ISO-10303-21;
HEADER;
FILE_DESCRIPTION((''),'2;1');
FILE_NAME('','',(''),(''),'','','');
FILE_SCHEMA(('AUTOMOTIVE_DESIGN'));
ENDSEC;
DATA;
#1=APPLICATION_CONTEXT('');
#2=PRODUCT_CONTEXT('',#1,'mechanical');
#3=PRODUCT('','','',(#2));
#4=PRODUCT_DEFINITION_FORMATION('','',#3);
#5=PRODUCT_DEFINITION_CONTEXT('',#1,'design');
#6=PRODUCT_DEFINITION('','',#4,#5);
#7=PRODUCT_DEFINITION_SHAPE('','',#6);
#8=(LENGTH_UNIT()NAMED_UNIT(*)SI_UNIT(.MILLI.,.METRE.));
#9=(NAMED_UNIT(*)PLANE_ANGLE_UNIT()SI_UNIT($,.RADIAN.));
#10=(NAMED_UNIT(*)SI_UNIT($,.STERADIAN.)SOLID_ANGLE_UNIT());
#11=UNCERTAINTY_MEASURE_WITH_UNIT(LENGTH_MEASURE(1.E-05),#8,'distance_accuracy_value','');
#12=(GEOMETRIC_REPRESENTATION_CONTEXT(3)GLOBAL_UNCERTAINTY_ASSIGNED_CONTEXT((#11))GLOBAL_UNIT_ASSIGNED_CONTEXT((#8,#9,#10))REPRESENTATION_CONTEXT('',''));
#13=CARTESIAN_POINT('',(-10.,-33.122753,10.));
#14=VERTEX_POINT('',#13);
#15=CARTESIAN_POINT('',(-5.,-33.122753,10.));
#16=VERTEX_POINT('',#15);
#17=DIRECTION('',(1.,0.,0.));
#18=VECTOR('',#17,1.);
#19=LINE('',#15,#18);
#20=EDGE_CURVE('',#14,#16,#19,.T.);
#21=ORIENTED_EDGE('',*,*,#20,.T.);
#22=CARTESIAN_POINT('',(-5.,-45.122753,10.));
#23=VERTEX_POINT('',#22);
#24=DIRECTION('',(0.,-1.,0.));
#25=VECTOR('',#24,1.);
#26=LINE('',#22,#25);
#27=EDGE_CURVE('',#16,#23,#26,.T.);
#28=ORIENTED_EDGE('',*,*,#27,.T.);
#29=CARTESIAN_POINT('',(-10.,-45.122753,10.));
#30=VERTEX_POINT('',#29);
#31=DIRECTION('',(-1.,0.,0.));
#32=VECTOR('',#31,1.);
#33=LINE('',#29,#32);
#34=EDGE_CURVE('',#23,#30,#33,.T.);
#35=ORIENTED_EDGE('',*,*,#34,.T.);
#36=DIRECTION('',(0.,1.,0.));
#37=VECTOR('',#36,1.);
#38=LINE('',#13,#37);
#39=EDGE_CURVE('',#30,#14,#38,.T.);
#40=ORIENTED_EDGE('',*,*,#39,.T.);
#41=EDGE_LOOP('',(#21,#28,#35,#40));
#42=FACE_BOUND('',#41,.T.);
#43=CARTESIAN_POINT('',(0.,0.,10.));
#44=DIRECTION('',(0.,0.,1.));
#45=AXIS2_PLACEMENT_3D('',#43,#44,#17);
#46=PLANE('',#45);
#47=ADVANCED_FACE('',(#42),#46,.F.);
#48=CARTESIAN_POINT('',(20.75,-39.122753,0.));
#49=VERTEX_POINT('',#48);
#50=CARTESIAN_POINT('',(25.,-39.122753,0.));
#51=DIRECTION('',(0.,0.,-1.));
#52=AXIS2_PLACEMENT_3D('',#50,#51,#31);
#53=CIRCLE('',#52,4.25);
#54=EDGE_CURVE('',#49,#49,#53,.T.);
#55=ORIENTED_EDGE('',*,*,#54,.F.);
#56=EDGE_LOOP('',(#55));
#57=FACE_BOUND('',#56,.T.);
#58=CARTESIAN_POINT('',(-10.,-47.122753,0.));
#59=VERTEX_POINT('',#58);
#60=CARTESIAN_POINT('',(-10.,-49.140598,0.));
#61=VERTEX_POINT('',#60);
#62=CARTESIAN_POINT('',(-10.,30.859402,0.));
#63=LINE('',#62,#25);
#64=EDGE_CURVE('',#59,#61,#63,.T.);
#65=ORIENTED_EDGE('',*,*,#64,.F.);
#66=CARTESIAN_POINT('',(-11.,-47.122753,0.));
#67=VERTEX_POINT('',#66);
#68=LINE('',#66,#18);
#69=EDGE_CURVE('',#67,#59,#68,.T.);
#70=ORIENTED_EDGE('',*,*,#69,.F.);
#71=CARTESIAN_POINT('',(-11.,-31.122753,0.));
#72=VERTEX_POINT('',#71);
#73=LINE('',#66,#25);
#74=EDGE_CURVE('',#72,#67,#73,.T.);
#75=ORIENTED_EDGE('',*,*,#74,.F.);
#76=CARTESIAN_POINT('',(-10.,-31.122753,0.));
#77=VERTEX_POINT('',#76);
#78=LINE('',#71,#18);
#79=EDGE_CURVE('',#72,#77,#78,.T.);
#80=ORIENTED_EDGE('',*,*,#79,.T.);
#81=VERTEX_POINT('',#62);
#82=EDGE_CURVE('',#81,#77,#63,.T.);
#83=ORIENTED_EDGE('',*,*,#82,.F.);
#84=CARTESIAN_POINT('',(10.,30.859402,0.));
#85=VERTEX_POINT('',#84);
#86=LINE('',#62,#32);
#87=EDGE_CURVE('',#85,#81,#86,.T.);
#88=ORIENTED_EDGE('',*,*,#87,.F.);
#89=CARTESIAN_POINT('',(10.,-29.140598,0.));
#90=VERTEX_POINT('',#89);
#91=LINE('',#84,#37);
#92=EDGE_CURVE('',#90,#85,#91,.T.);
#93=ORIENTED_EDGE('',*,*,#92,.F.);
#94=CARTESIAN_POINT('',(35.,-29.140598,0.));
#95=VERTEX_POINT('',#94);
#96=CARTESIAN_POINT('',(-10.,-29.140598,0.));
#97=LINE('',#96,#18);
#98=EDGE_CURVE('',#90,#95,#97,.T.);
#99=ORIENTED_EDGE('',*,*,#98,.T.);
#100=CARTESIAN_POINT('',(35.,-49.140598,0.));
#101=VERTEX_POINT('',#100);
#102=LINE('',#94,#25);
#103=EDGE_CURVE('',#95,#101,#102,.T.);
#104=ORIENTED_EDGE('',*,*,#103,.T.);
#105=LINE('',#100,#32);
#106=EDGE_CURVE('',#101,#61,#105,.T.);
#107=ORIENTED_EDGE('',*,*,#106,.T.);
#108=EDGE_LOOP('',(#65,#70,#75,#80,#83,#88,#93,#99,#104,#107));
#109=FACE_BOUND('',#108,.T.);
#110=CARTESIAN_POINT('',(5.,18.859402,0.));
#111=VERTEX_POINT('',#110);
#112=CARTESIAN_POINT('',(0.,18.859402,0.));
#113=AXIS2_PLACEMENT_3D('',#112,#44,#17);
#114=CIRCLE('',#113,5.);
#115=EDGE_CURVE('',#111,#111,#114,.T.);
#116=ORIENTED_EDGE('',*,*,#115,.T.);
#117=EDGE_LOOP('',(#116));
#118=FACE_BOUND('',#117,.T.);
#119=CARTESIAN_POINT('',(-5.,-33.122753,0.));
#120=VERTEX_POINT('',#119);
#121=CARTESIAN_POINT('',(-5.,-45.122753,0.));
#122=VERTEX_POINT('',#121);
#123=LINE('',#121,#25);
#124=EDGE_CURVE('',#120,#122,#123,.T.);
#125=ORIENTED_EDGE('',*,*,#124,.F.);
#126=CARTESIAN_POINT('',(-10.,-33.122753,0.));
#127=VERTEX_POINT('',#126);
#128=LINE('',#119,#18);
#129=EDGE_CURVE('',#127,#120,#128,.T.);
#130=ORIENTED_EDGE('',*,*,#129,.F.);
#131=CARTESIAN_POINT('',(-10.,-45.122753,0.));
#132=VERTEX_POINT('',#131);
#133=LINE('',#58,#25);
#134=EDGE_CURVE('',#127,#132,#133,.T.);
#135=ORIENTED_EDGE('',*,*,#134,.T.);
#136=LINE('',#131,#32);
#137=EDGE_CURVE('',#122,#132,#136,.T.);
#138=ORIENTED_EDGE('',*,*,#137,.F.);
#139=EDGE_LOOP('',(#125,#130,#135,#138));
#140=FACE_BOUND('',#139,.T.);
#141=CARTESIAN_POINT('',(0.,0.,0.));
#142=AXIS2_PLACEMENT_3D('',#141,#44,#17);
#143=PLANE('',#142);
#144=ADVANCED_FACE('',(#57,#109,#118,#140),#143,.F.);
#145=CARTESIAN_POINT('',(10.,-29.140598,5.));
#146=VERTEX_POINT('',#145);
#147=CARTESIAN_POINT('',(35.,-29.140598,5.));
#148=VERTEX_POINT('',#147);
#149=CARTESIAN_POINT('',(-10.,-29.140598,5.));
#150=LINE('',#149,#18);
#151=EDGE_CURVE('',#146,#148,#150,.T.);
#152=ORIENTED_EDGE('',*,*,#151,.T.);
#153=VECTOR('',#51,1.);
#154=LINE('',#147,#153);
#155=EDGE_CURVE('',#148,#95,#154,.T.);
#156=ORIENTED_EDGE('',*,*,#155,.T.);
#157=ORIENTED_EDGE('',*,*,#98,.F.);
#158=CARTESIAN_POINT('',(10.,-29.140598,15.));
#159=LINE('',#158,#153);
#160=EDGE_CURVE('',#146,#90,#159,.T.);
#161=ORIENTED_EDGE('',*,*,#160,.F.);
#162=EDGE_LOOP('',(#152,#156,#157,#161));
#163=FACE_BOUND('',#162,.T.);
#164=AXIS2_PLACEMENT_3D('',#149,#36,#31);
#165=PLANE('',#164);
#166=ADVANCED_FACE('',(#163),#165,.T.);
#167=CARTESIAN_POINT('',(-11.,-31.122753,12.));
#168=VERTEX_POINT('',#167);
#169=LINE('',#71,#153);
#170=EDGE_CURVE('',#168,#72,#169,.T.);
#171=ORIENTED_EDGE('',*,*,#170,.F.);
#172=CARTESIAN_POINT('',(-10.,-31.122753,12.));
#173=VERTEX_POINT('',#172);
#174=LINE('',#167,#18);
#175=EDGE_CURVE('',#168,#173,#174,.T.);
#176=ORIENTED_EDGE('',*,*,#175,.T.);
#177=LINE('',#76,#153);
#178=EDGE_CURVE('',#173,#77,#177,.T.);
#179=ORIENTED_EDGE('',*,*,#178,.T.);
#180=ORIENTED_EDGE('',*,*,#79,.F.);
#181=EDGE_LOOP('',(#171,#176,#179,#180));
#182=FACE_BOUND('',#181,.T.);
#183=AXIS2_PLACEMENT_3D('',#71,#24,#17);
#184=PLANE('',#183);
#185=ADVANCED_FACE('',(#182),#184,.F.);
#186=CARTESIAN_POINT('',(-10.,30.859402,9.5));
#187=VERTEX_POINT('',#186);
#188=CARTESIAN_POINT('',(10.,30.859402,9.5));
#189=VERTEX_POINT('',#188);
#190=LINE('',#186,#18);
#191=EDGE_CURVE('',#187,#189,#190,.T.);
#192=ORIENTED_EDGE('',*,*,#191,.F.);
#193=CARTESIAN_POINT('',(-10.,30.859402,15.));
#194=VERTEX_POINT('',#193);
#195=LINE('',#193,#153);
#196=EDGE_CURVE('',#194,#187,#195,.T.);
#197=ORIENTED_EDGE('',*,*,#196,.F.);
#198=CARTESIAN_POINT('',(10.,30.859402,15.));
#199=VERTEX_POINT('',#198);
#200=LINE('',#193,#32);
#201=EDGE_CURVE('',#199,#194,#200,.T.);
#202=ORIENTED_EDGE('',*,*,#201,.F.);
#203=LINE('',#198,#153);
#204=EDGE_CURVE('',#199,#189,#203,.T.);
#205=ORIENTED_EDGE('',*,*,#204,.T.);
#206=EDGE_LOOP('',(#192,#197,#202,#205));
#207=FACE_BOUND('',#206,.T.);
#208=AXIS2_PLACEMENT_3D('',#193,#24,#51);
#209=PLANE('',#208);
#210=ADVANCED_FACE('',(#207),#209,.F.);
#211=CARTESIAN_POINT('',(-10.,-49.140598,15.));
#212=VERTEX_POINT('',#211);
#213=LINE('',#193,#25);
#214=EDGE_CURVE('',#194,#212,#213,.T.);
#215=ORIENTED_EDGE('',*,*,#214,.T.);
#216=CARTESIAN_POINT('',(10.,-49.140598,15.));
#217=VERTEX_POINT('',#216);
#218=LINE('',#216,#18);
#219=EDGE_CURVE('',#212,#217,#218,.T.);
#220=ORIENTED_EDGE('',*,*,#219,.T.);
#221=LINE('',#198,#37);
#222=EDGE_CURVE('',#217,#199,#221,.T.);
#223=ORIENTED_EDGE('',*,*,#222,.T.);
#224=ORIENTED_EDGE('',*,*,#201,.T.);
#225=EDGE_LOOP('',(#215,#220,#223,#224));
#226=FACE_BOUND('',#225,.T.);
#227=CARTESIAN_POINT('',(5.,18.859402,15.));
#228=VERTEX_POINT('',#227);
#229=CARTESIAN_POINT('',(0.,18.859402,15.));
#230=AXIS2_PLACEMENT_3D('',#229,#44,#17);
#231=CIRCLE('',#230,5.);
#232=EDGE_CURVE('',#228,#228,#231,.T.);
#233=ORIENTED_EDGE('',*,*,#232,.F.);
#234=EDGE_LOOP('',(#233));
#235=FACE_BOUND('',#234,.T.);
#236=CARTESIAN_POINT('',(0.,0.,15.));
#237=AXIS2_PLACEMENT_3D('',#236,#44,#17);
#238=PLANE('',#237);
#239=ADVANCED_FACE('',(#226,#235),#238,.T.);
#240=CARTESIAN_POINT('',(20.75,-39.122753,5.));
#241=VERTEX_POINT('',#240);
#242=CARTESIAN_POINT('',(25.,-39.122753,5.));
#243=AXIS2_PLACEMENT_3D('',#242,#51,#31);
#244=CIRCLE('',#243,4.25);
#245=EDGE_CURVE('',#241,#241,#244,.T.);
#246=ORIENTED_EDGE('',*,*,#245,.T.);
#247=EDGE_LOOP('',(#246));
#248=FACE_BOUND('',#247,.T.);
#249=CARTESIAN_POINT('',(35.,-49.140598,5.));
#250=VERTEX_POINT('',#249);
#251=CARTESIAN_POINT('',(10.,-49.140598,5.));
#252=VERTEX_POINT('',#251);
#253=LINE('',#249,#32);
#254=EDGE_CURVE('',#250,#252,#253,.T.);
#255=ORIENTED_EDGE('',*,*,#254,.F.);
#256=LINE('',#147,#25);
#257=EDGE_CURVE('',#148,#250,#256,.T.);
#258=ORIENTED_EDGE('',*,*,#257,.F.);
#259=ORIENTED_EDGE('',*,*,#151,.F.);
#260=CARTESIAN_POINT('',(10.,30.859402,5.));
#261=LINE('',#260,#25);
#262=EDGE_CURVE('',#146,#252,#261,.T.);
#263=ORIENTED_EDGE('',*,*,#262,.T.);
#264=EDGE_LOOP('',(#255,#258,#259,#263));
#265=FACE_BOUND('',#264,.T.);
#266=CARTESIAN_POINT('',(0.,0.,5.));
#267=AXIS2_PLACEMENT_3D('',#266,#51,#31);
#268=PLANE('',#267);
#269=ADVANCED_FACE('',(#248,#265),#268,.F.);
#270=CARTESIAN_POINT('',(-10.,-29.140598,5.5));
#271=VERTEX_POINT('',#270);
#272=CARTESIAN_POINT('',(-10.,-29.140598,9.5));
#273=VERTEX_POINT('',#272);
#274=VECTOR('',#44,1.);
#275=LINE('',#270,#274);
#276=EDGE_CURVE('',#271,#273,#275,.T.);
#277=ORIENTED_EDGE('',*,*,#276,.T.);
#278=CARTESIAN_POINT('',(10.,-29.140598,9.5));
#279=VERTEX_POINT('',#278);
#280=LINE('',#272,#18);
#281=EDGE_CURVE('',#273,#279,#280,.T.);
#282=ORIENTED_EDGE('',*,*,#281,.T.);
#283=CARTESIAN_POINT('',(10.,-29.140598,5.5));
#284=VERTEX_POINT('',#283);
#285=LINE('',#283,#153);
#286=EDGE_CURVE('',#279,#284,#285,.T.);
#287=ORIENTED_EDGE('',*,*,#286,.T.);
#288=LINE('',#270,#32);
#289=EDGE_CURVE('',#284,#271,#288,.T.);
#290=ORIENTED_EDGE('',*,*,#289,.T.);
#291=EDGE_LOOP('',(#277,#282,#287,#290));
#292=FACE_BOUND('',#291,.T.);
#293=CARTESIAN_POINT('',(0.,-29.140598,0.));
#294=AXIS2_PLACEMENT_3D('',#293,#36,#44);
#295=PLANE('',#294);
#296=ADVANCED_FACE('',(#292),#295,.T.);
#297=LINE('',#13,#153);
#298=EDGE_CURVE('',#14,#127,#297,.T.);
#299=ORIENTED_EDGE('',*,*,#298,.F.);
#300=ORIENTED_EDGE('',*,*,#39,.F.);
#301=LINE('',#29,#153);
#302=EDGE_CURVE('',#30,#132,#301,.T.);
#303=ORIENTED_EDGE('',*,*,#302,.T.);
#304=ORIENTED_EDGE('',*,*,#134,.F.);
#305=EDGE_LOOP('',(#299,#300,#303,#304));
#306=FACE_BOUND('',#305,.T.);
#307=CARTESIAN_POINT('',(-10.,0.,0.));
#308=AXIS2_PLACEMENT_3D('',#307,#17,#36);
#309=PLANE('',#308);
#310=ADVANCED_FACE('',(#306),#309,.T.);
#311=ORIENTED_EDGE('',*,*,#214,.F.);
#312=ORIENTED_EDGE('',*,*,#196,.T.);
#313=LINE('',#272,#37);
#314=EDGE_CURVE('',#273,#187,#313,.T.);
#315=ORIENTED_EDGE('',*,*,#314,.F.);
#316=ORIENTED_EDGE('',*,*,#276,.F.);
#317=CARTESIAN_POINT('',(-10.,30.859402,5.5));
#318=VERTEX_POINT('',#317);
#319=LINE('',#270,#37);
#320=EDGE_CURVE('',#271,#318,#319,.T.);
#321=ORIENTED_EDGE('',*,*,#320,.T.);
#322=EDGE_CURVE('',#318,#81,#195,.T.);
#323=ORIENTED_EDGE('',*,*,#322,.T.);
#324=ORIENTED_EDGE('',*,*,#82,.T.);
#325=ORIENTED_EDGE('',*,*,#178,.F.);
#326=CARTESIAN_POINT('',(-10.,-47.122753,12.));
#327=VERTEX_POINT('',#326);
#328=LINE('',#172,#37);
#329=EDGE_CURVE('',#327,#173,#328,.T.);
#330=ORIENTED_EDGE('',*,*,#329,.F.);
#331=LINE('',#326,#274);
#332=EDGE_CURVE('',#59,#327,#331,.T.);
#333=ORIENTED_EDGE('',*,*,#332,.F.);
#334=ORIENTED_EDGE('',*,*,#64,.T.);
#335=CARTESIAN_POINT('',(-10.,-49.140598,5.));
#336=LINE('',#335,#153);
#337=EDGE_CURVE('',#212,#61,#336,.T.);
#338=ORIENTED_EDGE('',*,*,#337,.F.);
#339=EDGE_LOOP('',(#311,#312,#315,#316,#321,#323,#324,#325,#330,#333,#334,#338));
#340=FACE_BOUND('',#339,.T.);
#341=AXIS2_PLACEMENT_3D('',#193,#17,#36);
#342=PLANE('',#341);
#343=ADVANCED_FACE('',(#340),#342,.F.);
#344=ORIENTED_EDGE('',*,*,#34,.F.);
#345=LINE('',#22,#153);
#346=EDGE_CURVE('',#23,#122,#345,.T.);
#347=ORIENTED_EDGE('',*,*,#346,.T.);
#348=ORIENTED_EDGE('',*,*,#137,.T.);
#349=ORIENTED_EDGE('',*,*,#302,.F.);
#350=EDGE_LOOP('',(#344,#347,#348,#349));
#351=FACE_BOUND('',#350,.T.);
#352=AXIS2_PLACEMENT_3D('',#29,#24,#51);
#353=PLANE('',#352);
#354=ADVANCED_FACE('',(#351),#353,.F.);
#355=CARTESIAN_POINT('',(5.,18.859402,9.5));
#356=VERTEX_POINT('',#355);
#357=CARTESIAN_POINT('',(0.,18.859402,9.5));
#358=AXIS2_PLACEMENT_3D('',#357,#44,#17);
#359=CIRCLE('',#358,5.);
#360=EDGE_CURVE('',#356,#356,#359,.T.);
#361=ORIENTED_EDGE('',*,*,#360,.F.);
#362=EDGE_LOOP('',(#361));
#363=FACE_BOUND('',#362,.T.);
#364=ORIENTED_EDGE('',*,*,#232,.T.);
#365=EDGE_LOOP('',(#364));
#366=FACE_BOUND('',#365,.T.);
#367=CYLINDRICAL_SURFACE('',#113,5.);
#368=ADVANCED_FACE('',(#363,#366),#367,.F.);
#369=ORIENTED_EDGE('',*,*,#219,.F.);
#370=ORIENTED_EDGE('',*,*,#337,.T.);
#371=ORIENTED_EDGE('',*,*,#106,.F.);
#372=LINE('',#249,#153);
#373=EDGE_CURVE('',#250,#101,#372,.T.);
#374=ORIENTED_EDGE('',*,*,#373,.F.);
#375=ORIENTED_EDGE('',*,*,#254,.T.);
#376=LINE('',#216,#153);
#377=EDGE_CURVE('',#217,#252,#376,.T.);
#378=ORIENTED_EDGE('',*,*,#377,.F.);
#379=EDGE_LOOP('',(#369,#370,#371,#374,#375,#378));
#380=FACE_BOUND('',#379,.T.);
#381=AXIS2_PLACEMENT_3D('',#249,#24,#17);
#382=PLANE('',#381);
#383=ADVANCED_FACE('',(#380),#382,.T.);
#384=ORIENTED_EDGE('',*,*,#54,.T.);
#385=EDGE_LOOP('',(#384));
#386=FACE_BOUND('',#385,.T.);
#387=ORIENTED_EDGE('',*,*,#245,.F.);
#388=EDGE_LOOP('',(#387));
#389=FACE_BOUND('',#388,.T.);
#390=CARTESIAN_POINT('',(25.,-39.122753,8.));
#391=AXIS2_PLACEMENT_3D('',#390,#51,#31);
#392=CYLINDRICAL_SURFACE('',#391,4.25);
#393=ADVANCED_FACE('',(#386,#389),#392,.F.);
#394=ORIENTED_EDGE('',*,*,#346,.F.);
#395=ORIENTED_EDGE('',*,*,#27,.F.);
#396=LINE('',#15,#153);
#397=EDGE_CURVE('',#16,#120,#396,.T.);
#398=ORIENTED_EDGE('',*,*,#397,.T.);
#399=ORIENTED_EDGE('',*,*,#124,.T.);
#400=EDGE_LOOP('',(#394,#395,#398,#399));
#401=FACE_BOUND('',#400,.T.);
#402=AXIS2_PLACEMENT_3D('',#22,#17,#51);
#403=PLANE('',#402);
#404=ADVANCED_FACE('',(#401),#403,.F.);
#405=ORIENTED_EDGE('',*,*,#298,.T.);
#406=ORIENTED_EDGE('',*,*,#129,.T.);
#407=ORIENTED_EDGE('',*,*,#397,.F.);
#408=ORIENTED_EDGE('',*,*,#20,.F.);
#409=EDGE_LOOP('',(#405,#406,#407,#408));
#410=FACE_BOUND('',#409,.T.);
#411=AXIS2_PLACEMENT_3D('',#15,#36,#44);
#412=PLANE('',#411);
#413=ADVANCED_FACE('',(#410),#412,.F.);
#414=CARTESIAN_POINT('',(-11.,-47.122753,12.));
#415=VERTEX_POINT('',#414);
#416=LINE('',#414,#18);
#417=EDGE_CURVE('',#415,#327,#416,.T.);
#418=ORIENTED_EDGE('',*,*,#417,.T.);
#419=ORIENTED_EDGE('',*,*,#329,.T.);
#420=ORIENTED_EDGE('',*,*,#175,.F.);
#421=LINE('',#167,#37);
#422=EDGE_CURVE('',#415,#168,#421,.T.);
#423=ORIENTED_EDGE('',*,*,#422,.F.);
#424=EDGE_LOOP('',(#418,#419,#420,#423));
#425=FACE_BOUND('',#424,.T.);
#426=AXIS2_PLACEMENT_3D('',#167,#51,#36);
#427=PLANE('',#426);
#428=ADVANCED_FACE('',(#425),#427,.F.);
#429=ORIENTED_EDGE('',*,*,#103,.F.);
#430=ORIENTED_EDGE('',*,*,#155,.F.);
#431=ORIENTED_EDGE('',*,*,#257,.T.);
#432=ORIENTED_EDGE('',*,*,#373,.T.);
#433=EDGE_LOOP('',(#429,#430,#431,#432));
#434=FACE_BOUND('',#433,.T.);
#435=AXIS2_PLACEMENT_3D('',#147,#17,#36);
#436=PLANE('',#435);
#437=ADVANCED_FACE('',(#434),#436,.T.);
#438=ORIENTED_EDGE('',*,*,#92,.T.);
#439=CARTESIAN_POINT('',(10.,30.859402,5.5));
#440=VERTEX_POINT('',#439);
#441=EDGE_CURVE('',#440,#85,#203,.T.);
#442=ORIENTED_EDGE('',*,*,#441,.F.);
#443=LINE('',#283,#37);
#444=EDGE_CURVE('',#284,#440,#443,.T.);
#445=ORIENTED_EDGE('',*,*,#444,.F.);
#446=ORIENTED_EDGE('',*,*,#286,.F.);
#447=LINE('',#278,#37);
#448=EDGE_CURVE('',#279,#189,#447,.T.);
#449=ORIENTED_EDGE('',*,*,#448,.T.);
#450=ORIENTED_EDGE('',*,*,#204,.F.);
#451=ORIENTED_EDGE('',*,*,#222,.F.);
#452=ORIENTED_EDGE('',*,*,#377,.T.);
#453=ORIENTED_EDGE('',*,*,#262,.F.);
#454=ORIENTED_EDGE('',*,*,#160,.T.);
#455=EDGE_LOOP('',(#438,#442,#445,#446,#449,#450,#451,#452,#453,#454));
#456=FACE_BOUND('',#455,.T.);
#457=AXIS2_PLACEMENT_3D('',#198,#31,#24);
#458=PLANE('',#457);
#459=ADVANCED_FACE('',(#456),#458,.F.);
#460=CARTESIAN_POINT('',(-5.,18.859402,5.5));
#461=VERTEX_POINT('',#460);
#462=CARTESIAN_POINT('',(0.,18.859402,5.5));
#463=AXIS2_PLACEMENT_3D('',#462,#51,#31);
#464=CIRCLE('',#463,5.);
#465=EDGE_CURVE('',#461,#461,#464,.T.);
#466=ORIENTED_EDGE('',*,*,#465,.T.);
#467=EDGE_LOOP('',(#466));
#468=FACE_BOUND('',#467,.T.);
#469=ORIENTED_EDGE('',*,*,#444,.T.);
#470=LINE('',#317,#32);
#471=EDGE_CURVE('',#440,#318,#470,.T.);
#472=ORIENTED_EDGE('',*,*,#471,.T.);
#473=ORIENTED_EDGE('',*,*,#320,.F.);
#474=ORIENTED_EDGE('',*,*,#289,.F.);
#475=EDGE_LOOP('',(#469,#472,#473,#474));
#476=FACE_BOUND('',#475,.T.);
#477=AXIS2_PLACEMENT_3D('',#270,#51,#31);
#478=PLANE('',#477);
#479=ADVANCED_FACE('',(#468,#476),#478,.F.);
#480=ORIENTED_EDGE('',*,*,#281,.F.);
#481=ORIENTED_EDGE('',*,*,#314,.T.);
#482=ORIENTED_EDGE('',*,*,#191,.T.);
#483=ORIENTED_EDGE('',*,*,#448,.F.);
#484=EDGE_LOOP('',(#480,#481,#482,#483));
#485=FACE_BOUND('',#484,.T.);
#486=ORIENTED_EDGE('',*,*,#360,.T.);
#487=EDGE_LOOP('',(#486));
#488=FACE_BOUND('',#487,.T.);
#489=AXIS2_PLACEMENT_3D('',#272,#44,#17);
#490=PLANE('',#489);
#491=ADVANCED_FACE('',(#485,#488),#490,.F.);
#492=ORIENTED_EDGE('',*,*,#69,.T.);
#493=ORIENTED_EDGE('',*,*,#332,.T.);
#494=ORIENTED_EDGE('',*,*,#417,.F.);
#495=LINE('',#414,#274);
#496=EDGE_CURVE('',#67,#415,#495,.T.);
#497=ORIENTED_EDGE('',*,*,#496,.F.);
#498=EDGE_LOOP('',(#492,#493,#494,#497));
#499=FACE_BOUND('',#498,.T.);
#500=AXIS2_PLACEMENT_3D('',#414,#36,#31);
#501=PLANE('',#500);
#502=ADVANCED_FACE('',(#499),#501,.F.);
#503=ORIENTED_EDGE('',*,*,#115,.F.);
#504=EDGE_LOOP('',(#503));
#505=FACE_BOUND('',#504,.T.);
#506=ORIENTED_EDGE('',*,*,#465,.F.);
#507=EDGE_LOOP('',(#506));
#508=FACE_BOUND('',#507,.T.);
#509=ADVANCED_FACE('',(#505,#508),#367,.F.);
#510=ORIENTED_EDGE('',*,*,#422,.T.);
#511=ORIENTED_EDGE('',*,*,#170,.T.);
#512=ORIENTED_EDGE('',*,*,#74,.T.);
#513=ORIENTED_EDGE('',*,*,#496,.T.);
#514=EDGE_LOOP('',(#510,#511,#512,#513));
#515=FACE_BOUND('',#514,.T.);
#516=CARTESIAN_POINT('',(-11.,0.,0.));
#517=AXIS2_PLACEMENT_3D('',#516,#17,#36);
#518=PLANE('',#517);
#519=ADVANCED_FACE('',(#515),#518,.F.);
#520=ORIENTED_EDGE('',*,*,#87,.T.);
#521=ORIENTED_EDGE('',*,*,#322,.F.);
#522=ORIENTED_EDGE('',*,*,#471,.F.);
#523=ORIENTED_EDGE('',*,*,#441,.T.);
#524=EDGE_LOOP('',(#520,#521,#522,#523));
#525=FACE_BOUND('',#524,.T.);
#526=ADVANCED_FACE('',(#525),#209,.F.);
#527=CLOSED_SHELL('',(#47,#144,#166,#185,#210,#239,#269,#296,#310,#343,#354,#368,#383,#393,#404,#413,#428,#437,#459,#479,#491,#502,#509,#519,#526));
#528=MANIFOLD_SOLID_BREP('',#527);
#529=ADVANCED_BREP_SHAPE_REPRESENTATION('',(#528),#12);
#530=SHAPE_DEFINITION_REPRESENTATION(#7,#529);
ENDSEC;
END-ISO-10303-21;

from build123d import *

# Parameters (mm, degrees)
SKETCH1_W           = 20
SKETCH1_H           = 70
BOSS_EXTRUDE1_DEPTH = 15
SKETCH2_W           = 20
SKETCH2_H           = 4
CUT_EXTRUDE1_DEPTH  = 60
SKETCH3_R           = 5
CUT_EXTRUDE2_DEPTH  = 15
SKETCH4_W           = 45
SKETCH4_H           = 20
BOSS_EXTRUDE2_DEPTH = 5
SKETCH7_R           = 4.25
CUT_EXTRUDE4_DEPTH  = 8
SKETCH8_W           = 20
SKETCH8_H           = 10
BOSS_EXTRUDE3_DEPTH = 10
SKETCH9_W           = 5
SKETCH9_H           = 12
CUT_EXTRUDE5_DEPTH  = 10
SKETCH10_W          = 12
SKETCH10_H          = 16
BOSS_EXTRUDE4_DEPTH = 1


with BuildPart() as part:
    # Sketch1 → Boss-Extrude1 (new body)
    with BuildSketch(Plane.XY):
        with Locations((0, -4.140597693)):
            Rectangle(SKETCH1_W, SKETCH1_H)
    extrude(amount=BOSS_EXTRUDE1_DEPTH)

    # Sketch2 → Cut-Extrude1 (cut)
    with BuildSketch(Plane(origin=(0, 30.859402307, 0), x_dir=(1, 0, 0), z_dir=(0, 1, 0))):
        with Locations((0, -7.5)):
            Rectangle(SKETCH2_W, SKETCH2_H)
    extrude(amount=-CUT_EXTRUDE1_DEPTH, mode=Mode.SUBTRACT)

    # Sketch3 → Cut-Extrude2 (cut)
    with BuildSketch(Plane.XY.offset(15)):
        with Locations((0, 18.859402307)):
            Circle(SKETCH3_R)
    extrude(amount=-CUT_EXTRUDE2_DEPTH, mode=Mode.SUBTRACT)

    # Sketch4 → Boss-Extrude2 (add)
    with BuildSketch(Plane(origin=(0, 0, 0), x_dir=(-1, 0, 0), z_dir=(0, 0, -1))):
        with Locations((-12.5, -39.140597693)):
            Rectangle(SKETCH4_W, SKETCH4_H)
    extrude(amount=-BOSS_EXTRUDE2_DEPTH)

    # Sketch7 → Cut-Extrude4 (cut)
    with BuildSketch(Plane(origin=(0, 0, 0), x_dir=(-1, 0, 0), z_dir=(0, 0, -1))):
        with Locations((-25, -39.122753145)):
            Circle(SKETCH7_R)
    extrude(amount=-CUT_EXTRUDE4_DEPTH, mode=Mode.SUBTRACT)

    # Sketch8 → Boss-Extrude3 (add)
    with BuildSketch(Plane.XY.offset(5)):
        with Locations((0, -44.140597693)):
            Rectangle(SKETCH8_W, SKETCH8_H)
    extrude(amount=BOSS_EXTRUDE3_DEPTH)

    # Sketch9 → Cut-Extrude5 (cut)
    with BuildSketch(Plane(origin=(0, 0, 0), x_dir=(-1, 0, 0), z_dir=(0, 0, -1))):
        with Locations((7.5, -39.122753145)):
            Rectangle(SKETCH9_W, SKETCH9_H)
    extrude(amount=-CUT_EXTRUDE5_DEPTH, mode=Mode.SUBTRACT)

    # Sketch10 → Boss-Extrude4 (add)
    with BuildSketch(Plane.ZY.offset(10)):
        with Locations((6, -39.122753145)):
            Rectangle(SKETCH10_W, SKETCH10_H)
    extrude(amount=BOSS_EXTRUDE4_DEPTH)


solid = part.part
